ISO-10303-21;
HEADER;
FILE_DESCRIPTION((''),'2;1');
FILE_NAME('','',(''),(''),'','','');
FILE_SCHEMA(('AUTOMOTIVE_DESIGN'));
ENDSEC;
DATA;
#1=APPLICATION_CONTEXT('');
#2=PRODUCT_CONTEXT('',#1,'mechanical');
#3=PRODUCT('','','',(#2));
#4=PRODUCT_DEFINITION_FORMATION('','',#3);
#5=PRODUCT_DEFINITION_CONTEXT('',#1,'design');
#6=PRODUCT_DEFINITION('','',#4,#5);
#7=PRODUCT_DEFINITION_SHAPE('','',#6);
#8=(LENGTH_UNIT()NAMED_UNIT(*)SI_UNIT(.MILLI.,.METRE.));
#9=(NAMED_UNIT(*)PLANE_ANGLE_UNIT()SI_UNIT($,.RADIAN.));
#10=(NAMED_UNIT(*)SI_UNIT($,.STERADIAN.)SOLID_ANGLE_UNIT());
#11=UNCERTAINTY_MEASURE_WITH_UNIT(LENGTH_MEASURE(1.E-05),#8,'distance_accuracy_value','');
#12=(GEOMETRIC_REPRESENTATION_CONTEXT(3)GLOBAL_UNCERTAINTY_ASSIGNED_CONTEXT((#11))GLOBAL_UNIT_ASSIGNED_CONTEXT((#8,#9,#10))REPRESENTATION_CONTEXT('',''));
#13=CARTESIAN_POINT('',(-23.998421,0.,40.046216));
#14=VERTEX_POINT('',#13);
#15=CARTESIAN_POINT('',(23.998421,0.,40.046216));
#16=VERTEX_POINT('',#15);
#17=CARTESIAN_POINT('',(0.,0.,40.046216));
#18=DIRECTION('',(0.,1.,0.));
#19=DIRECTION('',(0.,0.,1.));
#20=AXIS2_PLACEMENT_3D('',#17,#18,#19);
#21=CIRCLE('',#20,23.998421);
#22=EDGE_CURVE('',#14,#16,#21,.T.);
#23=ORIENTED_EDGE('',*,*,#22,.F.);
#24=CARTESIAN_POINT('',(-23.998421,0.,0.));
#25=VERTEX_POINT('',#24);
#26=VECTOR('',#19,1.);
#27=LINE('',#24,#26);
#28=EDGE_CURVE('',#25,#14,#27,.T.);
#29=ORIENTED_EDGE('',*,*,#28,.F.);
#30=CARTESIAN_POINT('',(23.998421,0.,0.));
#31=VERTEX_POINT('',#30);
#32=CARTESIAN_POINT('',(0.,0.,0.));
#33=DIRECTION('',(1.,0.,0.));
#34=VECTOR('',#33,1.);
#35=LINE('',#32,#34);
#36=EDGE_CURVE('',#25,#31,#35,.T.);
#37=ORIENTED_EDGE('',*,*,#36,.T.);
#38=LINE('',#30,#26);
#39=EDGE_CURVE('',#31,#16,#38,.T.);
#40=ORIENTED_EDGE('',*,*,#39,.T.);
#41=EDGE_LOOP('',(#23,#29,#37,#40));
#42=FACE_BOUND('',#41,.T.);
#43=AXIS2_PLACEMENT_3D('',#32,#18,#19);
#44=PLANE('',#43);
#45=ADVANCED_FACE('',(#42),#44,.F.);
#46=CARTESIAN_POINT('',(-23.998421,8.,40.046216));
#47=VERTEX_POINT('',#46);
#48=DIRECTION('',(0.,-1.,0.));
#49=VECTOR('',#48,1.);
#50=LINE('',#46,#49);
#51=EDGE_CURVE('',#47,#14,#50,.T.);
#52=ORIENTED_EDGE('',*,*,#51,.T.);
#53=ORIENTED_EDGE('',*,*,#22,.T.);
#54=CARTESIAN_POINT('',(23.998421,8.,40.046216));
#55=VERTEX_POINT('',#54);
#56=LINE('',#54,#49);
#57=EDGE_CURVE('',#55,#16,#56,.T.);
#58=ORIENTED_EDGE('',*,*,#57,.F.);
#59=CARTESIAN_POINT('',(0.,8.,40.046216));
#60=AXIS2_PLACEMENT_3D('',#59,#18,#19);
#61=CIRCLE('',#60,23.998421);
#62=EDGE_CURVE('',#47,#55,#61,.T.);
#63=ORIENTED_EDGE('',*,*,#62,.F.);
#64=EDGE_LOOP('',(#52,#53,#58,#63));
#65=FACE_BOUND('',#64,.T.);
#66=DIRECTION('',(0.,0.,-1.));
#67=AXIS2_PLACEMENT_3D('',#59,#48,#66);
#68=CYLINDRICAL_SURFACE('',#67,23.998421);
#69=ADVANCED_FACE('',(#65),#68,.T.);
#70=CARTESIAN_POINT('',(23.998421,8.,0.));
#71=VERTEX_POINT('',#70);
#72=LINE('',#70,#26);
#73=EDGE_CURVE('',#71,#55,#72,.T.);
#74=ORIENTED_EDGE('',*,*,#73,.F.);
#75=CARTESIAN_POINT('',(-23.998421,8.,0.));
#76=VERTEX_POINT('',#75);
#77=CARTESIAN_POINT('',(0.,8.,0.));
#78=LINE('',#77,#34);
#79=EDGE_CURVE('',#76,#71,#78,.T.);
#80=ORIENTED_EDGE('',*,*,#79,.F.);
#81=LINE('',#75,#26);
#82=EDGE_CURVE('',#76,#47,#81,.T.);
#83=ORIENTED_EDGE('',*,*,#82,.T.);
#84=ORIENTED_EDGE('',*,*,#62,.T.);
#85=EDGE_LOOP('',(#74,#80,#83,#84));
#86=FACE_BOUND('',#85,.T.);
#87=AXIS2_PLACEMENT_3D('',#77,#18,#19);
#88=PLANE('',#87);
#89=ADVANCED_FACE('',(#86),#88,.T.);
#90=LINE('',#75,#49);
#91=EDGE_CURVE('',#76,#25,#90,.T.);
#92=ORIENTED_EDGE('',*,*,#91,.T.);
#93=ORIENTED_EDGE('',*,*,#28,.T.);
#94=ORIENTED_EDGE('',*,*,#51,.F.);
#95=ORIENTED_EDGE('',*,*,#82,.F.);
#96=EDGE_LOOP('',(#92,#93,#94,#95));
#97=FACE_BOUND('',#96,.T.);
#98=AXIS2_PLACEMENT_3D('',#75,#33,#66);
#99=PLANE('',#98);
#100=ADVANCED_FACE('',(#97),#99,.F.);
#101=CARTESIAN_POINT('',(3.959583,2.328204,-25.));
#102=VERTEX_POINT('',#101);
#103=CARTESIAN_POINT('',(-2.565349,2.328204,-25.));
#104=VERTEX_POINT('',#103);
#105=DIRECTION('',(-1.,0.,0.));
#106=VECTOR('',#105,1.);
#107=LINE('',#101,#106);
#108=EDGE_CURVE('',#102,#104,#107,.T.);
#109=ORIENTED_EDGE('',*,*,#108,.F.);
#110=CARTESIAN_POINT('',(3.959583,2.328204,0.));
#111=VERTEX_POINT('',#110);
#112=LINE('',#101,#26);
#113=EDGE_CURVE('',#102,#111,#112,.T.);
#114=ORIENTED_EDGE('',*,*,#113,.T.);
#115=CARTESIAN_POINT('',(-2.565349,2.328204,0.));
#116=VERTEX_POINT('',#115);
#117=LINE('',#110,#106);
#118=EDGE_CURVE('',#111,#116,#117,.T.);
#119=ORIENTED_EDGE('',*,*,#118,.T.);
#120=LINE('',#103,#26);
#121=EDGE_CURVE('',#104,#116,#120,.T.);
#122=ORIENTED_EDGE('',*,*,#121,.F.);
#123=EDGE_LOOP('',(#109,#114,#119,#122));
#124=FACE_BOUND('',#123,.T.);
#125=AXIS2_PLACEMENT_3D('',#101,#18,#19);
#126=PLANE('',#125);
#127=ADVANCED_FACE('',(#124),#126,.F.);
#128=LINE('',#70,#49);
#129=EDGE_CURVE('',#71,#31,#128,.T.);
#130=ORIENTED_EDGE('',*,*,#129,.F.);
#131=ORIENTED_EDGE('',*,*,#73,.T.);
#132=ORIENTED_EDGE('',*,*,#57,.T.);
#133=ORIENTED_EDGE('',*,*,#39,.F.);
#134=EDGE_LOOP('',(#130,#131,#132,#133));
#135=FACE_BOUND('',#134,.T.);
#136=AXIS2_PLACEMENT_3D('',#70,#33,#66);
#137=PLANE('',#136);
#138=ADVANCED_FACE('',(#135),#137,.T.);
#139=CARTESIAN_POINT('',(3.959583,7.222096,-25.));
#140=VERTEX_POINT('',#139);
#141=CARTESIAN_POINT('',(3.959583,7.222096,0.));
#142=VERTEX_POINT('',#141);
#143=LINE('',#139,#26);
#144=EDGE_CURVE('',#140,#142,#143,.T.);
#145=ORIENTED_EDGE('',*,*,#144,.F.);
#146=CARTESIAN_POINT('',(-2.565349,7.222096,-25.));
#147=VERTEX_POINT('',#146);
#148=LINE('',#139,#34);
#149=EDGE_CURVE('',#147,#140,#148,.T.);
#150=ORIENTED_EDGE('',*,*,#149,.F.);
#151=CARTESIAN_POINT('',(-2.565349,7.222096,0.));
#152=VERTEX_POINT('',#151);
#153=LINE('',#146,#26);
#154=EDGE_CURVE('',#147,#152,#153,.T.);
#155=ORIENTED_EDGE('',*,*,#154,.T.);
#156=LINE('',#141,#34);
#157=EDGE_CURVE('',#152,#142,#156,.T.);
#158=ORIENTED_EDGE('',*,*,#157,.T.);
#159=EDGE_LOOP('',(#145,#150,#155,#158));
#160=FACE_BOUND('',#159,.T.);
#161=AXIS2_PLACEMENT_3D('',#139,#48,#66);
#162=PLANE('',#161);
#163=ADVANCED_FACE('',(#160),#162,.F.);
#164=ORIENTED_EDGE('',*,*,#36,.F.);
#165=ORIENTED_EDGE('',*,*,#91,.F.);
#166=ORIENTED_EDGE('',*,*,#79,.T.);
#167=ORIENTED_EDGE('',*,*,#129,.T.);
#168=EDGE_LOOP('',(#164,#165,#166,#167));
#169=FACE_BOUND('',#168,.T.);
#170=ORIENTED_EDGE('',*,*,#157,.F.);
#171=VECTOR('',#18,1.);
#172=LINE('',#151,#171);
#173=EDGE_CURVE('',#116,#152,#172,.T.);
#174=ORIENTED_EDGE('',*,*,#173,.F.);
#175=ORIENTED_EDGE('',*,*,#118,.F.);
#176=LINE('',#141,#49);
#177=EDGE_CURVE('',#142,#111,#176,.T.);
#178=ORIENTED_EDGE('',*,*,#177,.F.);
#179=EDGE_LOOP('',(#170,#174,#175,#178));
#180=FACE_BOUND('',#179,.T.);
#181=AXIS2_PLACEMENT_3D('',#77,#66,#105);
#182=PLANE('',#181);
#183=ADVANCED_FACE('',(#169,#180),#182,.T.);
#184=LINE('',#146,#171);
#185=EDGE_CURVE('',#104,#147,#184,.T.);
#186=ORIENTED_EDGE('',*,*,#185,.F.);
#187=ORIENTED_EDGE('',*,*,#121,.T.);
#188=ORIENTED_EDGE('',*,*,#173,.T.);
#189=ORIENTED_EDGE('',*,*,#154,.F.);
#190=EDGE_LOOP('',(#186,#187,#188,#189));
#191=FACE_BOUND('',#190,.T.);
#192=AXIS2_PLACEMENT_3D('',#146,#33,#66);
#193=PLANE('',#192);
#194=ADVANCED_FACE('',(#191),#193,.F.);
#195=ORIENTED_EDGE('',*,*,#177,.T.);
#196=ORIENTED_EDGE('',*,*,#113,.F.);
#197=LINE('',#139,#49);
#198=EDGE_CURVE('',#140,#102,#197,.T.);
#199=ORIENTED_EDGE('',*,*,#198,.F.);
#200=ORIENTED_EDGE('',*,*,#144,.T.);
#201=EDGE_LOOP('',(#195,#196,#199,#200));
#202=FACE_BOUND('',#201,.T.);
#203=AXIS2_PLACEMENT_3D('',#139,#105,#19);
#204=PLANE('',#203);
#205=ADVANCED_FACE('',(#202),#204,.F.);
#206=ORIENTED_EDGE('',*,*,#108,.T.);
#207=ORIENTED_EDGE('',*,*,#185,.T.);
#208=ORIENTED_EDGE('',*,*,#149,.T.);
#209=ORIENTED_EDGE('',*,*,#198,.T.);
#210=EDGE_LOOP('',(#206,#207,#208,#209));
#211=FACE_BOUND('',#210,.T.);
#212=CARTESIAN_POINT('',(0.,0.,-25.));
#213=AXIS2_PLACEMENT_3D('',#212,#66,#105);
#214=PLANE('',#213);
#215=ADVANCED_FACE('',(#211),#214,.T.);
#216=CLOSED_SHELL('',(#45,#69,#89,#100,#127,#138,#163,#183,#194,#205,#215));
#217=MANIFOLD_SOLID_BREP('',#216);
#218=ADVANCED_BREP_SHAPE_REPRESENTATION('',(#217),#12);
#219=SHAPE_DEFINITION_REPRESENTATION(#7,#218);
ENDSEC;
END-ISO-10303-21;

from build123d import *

# Parameters (mm, degrees)
SALIENTE_EXTRUIR1_DEPTH = 8
CROQUIS2_W              = 6.524931815
CROQUIS2_H              = 4.893891774
SALIENTE_EXTRUIR2_DEPTH = 25


with BuildPart() as part:
    # Croquis1 → Saliente-Extruir1 (new body)
    with BuildSketch(Plane(origin=(0, 0, 0), x_dir=(1, 0, 0), z_dir=(0, 1, 0))):
        with BuildLine():
            Line((11.999210506, 0), (0, 0))
            Line((0, 0), (-11.999210506, 0))
            Line((-11.999210506, 0), (-23.998421012, 0))
            Line((-23.998421012, 0), (-23.998421012, -40.04621649))
            ThreePointArc((-23.998421012, -40.04621649), (0, -64.044637502), (23.998421012, -40.04621649))
            Line((23.998421012, -40.04621649), (23.998421012, 0))
            Line((23.998421012, 0), (11.999210506, 0))
        make_face()
    extrude(amount=SALIENTE_EXTRUIR1_DEPTH)

    # Croquis2 → Saliente-Extruir2 (add)
    with BuildSketch(Plane(origin=(0, 0, 0), x_dir=(-1, 0, 0), z_dir=(0, 0, -1))):
        with Locations((-0.697117267, 4.775150066)):
            Rectangle(CROQUIS2_W, CROQUIS2_H)
    extrude(amount=SALIENTE_EXTRUIR2_DEPTH)


solid = part.part
